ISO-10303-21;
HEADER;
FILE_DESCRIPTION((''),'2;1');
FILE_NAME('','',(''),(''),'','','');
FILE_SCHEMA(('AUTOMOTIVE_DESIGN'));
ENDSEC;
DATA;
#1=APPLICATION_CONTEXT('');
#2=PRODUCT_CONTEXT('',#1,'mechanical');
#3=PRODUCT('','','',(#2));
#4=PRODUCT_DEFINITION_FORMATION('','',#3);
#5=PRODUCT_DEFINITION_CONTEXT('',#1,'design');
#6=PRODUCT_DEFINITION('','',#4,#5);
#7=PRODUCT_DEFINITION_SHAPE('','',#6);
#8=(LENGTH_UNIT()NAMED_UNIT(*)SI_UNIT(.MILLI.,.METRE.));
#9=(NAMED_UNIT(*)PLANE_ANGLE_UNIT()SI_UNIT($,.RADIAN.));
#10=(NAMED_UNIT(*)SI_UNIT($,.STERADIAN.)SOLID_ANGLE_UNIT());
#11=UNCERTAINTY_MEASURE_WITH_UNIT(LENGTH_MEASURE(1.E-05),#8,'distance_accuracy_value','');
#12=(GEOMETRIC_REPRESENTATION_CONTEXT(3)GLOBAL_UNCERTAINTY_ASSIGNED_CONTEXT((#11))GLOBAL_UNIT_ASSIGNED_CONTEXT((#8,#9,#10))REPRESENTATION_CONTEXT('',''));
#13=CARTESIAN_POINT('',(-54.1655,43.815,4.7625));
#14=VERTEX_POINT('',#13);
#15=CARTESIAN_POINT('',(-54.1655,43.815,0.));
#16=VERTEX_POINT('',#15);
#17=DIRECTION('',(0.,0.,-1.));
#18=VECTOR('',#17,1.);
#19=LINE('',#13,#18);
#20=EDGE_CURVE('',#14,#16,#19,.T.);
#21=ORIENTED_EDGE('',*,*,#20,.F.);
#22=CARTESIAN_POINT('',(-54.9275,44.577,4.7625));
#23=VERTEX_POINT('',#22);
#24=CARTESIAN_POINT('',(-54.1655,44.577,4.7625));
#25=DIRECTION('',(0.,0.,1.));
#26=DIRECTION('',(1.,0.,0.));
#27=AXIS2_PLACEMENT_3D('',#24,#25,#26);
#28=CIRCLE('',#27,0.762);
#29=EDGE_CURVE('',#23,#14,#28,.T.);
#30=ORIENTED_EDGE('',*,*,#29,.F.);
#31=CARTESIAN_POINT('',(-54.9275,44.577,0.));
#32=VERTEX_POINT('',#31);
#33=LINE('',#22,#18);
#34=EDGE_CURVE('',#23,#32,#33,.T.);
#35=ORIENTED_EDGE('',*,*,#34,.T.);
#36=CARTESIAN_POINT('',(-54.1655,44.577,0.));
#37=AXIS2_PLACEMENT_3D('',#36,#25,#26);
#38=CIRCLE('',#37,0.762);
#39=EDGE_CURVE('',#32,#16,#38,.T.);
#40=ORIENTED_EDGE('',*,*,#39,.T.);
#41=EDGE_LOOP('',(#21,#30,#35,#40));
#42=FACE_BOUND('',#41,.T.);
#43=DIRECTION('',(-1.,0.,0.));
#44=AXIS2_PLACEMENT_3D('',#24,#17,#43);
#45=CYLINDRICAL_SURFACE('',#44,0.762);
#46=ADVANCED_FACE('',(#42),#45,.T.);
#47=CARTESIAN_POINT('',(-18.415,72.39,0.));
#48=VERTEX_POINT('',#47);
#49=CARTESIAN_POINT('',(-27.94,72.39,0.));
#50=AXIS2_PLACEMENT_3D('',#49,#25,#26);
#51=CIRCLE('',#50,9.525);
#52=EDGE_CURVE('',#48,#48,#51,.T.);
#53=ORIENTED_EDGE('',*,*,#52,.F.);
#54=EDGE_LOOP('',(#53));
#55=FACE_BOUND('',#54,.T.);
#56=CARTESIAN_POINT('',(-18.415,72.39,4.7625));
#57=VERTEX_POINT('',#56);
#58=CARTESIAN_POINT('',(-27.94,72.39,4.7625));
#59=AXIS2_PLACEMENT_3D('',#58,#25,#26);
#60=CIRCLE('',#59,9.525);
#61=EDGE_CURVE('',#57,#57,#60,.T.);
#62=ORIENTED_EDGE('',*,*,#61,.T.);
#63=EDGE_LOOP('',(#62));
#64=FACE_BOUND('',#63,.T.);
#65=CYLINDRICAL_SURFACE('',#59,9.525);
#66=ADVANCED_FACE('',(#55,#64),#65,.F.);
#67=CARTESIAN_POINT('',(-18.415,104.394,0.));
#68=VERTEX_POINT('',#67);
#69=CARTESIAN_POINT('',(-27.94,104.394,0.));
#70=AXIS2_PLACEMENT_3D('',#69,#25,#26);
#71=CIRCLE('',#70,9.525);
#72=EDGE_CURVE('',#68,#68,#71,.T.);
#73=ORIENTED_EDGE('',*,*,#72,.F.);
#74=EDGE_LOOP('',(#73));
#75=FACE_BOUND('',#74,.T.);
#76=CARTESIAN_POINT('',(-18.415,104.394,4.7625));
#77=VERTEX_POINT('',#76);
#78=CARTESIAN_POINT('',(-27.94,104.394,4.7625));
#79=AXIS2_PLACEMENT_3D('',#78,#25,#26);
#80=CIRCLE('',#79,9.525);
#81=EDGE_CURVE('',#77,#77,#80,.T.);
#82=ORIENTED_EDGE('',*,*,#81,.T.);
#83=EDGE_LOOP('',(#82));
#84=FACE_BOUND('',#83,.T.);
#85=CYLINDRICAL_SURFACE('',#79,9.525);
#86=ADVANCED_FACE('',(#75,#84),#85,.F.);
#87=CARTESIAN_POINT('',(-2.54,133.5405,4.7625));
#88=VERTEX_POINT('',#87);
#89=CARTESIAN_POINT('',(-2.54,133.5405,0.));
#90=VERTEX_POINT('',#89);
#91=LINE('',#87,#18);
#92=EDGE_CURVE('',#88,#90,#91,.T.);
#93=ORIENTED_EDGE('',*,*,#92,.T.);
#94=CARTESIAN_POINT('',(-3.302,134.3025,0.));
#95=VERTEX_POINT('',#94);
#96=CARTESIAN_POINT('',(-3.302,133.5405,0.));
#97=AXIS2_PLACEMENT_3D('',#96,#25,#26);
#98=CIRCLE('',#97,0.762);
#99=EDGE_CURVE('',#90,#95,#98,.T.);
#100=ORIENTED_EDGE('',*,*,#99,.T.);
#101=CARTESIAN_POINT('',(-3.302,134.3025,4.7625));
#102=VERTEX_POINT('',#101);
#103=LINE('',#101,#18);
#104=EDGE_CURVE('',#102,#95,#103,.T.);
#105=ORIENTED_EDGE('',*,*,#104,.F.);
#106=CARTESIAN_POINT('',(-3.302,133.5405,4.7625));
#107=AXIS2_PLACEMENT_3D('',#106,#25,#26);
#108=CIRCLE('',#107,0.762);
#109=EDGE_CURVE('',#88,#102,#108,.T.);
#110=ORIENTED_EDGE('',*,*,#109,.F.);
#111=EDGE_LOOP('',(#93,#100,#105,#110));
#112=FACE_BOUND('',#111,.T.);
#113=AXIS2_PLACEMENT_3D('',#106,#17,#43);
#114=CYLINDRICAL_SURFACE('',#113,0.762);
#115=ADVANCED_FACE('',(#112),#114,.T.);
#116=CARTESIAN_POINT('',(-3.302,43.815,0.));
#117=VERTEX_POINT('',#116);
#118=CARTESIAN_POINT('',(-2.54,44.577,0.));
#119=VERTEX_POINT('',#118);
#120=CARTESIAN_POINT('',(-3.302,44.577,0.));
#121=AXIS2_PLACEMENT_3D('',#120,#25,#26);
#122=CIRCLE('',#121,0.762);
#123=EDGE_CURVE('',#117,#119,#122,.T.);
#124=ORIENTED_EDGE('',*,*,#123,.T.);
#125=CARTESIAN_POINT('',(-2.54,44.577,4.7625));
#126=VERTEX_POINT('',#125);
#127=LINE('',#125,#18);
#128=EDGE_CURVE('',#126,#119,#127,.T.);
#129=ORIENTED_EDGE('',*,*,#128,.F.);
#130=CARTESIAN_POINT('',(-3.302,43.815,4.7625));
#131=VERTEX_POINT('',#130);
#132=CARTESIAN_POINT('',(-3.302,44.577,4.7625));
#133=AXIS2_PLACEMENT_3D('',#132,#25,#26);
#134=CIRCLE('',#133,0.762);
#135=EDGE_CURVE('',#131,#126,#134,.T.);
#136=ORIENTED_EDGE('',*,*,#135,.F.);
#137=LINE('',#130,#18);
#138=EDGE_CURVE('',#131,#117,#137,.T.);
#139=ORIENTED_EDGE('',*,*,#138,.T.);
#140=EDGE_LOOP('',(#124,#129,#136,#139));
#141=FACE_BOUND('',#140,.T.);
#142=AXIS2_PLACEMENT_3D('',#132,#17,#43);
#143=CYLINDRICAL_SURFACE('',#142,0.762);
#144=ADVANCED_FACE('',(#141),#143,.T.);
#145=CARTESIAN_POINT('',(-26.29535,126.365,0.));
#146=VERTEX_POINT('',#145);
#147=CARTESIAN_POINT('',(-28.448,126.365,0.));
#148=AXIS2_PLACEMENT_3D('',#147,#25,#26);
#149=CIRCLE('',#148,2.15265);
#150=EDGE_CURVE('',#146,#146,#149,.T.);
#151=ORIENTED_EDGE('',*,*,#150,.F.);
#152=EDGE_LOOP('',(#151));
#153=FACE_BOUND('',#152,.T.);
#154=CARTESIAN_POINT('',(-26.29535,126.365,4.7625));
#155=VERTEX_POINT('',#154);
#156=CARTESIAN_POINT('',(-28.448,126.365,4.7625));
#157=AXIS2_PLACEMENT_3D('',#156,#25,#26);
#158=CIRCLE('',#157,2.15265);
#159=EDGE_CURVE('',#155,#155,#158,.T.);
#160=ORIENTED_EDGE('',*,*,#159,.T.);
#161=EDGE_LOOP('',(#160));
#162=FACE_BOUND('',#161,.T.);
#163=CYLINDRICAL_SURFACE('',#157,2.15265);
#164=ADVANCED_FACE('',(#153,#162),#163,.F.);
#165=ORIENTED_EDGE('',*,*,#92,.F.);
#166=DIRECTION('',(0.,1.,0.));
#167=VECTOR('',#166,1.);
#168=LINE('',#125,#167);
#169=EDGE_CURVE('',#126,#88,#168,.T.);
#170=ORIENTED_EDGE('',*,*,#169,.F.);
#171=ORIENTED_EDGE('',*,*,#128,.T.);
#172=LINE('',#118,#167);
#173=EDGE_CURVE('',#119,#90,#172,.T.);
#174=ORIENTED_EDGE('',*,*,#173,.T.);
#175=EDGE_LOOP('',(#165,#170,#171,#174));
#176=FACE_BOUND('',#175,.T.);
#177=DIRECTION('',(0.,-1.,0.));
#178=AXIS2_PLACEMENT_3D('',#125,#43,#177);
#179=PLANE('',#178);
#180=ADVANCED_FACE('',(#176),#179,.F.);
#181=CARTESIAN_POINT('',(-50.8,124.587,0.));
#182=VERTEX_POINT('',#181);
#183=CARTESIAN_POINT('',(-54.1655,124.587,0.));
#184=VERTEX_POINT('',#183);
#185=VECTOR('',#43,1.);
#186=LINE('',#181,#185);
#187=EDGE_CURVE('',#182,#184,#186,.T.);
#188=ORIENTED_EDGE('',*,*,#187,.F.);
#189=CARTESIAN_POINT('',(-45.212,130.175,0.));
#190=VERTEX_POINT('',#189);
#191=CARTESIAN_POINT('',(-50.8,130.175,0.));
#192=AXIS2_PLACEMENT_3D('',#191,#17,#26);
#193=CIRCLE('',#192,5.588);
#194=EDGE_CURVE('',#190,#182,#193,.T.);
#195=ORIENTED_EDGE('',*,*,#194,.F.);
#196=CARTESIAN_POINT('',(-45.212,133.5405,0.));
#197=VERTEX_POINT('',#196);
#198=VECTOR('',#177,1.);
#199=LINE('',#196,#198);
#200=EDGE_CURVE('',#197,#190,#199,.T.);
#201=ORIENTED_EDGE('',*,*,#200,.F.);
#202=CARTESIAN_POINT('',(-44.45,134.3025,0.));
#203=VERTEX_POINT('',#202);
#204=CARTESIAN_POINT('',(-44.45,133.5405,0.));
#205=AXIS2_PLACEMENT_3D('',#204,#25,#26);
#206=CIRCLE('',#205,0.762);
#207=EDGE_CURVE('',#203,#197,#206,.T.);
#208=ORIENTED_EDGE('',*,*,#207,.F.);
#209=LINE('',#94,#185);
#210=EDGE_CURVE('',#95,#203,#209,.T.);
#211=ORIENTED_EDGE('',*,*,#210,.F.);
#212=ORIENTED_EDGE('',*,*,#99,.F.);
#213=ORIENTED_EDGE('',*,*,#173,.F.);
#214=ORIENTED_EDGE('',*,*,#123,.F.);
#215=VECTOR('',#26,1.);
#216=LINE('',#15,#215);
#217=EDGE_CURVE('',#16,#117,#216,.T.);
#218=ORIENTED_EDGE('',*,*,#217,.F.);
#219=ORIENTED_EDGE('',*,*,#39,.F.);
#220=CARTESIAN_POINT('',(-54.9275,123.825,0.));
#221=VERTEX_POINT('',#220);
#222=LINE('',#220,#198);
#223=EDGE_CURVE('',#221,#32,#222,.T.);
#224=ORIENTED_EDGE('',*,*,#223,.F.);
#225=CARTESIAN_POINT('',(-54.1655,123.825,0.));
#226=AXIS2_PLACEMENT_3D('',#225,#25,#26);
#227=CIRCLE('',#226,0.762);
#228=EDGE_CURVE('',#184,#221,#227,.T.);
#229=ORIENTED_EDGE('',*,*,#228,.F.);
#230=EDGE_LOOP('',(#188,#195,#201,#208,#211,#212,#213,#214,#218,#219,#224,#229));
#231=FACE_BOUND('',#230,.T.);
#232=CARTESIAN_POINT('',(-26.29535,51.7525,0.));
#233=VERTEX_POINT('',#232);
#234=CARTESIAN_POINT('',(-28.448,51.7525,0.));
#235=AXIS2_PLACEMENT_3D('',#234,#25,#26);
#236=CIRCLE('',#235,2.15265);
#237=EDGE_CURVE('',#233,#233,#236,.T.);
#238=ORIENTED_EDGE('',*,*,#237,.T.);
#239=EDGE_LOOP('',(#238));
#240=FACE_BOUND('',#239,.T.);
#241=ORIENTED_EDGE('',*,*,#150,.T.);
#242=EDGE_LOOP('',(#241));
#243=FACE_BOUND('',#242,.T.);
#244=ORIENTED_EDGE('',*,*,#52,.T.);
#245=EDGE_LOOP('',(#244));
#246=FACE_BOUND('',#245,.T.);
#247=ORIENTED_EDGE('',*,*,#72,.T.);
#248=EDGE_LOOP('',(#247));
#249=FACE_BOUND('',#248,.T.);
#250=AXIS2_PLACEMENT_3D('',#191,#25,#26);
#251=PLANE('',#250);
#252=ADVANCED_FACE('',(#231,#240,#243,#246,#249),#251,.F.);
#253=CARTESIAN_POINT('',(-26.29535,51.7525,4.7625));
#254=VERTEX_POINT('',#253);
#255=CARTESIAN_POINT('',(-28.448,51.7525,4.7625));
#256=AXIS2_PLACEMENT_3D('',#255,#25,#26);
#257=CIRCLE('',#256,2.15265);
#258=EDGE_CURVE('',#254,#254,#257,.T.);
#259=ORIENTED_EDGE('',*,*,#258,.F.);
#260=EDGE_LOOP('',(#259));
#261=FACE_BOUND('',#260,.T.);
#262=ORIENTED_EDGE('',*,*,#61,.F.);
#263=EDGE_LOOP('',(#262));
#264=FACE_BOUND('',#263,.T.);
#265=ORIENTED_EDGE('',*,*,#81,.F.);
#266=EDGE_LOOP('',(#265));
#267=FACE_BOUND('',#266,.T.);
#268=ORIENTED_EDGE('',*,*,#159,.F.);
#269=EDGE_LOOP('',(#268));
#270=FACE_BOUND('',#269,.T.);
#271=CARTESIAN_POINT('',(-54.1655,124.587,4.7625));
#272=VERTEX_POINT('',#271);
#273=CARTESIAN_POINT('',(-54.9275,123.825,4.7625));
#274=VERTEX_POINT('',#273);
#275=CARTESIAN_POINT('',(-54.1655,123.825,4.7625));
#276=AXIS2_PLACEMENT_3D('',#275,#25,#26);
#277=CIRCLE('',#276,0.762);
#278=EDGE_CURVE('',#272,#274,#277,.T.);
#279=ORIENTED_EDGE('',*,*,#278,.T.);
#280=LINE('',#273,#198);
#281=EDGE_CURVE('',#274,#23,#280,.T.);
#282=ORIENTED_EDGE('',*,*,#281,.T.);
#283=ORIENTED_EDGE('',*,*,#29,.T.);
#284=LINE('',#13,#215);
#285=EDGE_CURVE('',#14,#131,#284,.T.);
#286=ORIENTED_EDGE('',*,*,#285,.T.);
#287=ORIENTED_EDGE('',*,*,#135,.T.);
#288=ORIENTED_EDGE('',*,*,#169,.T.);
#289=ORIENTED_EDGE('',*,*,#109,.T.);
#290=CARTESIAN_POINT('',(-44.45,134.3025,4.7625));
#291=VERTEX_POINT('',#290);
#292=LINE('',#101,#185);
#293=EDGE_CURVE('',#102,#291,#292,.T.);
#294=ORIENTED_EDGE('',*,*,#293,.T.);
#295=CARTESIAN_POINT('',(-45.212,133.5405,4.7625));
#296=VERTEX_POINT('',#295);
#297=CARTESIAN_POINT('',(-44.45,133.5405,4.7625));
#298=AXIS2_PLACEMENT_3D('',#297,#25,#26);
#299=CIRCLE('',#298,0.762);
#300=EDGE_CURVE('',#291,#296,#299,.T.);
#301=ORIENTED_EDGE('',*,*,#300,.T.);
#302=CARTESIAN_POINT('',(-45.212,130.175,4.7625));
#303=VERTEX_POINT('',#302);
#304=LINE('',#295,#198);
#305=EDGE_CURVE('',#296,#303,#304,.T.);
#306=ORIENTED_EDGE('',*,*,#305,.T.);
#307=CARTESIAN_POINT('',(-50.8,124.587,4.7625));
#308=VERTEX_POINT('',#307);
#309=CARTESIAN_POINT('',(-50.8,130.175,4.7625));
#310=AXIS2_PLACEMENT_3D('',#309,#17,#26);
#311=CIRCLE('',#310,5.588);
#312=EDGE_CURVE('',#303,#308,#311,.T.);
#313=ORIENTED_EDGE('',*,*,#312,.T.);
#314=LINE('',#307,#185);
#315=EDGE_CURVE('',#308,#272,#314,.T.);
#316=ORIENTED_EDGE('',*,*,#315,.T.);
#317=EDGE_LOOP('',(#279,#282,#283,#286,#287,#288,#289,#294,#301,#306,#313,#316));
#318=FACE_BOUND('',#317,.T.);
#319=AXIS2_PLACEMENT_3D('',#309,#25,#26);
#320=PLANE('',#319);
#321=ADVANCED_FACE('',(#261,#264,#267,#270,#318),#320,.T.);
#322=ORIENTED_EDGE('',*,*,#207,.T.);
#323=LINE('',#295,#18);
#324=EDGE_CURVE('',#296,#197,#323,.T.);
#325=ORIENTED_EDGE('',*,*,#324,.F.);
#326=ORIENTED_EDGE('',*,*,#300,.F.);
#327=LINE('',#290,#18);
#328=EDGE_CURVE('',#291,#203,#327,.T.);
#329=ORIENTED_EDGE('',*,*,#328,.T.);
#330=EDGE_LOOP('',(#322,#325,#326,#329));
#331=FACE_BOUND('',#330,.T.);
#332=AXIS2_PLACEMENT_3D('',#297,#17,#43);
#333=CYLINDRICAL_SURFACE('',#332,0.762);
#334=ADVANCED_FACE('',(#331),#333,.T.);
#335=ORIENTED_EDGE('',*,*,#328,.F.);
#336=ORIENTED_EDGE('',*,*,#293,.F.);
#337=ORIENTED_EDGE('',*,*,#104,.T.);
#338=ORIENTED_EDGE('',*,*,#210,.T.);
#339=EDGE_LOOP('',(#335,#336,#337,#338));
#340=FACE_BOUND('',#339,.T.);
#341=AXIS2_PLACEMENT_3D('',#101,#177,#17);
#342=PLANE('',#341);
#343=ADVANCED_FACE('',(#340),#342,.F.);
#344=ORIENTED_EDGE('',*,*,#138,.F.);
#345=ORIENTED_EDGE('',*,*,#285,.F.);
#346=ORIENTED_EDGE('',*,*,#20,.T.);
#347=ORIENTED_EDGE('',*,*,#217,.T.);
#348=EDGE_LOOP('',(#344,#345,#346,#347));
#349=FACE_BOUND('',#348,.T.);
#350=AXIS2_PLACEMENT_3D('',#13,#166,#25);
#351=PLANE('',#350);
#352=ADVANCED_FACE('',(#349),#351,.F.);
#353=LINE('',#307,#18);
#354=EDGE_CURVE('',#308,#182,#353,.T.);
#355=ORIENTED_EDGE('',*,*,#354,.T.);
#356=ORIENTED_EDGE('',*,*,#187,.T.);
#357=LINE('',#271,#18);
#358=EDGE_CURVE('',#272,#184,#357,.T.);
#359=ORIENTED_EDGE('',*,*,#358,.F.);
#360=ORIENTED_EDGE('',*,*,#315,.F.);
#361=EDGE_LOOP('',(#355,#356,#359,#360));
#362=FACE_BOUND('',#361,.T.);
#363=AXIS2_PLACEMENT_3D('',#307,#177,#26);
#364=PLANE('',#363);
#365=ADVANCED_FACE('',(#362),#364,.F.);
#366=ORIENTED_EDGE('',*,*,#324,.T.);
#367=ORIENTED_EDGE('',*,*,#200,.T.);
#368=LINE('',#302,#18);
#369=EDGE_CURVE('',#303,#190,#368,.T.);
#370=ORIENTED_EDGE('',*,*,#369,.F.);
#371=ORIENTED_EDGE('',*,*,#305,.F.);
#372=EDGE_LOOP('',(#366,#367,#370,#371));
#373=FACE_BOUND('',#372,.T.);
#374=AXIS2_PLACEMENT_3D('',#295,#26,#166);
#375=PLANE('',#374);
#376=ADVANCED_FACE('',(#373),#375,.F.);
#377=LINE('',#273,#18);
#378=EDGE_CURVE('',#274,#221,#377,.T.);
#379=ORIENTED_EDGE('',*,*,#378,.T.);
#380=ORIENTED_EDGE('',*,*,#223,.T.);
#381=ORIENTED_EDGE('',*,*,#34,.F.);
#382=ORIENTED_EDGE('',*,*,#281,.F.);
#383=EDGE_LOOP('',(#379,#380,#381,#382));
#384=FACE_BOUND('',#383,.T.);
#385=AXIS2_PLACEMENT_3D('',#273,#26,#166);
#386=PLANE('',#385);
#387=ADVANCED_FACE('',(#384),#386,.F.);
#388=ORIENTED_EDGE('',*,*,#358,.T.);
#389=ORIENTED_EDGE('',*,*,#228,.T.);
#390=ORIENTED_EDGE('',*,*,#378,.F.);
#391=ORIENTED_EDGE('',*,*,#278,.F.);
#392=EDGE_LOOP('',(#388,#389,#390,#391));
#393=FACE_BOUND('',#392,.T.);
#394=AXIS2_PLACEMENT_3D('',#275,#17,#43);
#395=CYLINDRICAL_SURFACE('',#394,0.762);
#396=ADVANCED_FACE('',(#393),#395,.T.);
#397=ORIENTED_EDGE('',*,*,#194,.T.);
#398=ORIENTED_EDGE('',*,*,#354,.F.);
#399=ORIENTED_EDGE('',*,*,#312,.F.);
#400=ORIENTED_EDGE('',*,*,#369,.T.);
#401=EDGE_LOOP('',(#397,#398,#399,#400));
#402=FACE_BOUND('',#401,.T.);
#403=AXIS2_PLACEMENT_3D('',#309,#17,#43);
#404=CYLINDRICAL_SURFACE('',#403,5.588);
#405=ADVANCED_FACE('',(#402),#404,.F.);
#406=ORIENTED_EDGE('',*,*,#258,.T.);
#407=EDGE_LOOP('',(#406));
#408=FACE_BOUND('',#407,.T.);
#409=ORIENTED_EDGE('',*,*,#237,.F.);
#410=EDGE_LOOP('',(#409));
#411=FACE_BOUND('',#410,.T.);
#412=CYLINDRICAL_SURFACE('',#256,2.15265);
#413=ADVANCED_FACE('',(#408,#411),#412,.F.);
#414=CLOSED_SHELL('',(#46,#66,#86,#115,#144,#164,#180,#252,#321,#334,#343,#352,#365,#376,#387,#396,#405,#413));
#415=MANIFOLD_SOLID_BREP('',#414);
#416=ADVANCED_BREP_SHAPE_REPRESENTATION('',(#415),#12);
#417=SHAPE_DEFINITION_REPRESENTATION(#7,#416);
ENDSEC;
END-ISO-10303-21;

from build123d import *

# Parameters (mm, degrees)
BOSS_EXTRUDE1_DEPTH         = 4.7625
F_6_CLEARANCE_HOLE1_D       = 4.3053
F_3_4_0_75_DIAMETER_HOLE1_D = 19.05


with BuildPart() as part:
    # Sketch1 → Boss-Extrude1 (new body)
    with BuildSketch(Plane.XY):
        with BuildLine():
            Line((-50.8, 124.587), (-54.1655, 124.587))
            ThreePointArc((-54.1655, 124.587), (-54.704315367, 124.363815367), (-54.9275, 123.825))
            Line((-54.9275, 123.825), (-54.9275, 44.577))
            ThreePointArc((-54.9275, 44.577), (-54.704315367, 44.038184633), (-54.1655, 43.815))
            Line((-54.1655, 43.815), (-3.302, 43.815))
            ThreePointArc((-3.302, 43.815), (-2.763184633, 44.038184633), (-2.54, 44.577))
            Line((-2.54, 44.577), (-2.54, 133.5405))
            ThreePointArc((-2.54, 133.5405), (-2.763184633, 134.079315367), (-3.302, 134.3025))
            Line((-3.302, 134.3025), (-44.45, 134.3025))
            ThreePointArc((-44.45, 134.3025), (-44.988815367, 134.079315367), (-45.212, 133.5405))
            Line((-45.212, 133.5405), (-45.212, 130.175))
            ThreePointArc((-45.212, 130.175), (-46.848687307, 126.223687307), (-50.8, 124.587))
        make_face()
    extrude(amount=BOSS_EXTRUDE1_DEPTH)

    # #6 Clearance Hole1 (through all)
    with Locations(Plane.XY.offset(4.7625)):
        with Locations((-28.448, 126.365), (-28.448, 51.7525)):
            Hole(F_6_CLEARANCE_HOLE1_D / 2)

    # 3/4 (0.75) Diameter Hole1 (through all)
    with Locations(Plane.XY.offset(4.7625)):
        with Locations((-27.94, 72.39), (-27.94, 104.394)):
            Hole(F_3_4_0_75_DIAMETER_HOLE1_D / 2)


solid = part.part
